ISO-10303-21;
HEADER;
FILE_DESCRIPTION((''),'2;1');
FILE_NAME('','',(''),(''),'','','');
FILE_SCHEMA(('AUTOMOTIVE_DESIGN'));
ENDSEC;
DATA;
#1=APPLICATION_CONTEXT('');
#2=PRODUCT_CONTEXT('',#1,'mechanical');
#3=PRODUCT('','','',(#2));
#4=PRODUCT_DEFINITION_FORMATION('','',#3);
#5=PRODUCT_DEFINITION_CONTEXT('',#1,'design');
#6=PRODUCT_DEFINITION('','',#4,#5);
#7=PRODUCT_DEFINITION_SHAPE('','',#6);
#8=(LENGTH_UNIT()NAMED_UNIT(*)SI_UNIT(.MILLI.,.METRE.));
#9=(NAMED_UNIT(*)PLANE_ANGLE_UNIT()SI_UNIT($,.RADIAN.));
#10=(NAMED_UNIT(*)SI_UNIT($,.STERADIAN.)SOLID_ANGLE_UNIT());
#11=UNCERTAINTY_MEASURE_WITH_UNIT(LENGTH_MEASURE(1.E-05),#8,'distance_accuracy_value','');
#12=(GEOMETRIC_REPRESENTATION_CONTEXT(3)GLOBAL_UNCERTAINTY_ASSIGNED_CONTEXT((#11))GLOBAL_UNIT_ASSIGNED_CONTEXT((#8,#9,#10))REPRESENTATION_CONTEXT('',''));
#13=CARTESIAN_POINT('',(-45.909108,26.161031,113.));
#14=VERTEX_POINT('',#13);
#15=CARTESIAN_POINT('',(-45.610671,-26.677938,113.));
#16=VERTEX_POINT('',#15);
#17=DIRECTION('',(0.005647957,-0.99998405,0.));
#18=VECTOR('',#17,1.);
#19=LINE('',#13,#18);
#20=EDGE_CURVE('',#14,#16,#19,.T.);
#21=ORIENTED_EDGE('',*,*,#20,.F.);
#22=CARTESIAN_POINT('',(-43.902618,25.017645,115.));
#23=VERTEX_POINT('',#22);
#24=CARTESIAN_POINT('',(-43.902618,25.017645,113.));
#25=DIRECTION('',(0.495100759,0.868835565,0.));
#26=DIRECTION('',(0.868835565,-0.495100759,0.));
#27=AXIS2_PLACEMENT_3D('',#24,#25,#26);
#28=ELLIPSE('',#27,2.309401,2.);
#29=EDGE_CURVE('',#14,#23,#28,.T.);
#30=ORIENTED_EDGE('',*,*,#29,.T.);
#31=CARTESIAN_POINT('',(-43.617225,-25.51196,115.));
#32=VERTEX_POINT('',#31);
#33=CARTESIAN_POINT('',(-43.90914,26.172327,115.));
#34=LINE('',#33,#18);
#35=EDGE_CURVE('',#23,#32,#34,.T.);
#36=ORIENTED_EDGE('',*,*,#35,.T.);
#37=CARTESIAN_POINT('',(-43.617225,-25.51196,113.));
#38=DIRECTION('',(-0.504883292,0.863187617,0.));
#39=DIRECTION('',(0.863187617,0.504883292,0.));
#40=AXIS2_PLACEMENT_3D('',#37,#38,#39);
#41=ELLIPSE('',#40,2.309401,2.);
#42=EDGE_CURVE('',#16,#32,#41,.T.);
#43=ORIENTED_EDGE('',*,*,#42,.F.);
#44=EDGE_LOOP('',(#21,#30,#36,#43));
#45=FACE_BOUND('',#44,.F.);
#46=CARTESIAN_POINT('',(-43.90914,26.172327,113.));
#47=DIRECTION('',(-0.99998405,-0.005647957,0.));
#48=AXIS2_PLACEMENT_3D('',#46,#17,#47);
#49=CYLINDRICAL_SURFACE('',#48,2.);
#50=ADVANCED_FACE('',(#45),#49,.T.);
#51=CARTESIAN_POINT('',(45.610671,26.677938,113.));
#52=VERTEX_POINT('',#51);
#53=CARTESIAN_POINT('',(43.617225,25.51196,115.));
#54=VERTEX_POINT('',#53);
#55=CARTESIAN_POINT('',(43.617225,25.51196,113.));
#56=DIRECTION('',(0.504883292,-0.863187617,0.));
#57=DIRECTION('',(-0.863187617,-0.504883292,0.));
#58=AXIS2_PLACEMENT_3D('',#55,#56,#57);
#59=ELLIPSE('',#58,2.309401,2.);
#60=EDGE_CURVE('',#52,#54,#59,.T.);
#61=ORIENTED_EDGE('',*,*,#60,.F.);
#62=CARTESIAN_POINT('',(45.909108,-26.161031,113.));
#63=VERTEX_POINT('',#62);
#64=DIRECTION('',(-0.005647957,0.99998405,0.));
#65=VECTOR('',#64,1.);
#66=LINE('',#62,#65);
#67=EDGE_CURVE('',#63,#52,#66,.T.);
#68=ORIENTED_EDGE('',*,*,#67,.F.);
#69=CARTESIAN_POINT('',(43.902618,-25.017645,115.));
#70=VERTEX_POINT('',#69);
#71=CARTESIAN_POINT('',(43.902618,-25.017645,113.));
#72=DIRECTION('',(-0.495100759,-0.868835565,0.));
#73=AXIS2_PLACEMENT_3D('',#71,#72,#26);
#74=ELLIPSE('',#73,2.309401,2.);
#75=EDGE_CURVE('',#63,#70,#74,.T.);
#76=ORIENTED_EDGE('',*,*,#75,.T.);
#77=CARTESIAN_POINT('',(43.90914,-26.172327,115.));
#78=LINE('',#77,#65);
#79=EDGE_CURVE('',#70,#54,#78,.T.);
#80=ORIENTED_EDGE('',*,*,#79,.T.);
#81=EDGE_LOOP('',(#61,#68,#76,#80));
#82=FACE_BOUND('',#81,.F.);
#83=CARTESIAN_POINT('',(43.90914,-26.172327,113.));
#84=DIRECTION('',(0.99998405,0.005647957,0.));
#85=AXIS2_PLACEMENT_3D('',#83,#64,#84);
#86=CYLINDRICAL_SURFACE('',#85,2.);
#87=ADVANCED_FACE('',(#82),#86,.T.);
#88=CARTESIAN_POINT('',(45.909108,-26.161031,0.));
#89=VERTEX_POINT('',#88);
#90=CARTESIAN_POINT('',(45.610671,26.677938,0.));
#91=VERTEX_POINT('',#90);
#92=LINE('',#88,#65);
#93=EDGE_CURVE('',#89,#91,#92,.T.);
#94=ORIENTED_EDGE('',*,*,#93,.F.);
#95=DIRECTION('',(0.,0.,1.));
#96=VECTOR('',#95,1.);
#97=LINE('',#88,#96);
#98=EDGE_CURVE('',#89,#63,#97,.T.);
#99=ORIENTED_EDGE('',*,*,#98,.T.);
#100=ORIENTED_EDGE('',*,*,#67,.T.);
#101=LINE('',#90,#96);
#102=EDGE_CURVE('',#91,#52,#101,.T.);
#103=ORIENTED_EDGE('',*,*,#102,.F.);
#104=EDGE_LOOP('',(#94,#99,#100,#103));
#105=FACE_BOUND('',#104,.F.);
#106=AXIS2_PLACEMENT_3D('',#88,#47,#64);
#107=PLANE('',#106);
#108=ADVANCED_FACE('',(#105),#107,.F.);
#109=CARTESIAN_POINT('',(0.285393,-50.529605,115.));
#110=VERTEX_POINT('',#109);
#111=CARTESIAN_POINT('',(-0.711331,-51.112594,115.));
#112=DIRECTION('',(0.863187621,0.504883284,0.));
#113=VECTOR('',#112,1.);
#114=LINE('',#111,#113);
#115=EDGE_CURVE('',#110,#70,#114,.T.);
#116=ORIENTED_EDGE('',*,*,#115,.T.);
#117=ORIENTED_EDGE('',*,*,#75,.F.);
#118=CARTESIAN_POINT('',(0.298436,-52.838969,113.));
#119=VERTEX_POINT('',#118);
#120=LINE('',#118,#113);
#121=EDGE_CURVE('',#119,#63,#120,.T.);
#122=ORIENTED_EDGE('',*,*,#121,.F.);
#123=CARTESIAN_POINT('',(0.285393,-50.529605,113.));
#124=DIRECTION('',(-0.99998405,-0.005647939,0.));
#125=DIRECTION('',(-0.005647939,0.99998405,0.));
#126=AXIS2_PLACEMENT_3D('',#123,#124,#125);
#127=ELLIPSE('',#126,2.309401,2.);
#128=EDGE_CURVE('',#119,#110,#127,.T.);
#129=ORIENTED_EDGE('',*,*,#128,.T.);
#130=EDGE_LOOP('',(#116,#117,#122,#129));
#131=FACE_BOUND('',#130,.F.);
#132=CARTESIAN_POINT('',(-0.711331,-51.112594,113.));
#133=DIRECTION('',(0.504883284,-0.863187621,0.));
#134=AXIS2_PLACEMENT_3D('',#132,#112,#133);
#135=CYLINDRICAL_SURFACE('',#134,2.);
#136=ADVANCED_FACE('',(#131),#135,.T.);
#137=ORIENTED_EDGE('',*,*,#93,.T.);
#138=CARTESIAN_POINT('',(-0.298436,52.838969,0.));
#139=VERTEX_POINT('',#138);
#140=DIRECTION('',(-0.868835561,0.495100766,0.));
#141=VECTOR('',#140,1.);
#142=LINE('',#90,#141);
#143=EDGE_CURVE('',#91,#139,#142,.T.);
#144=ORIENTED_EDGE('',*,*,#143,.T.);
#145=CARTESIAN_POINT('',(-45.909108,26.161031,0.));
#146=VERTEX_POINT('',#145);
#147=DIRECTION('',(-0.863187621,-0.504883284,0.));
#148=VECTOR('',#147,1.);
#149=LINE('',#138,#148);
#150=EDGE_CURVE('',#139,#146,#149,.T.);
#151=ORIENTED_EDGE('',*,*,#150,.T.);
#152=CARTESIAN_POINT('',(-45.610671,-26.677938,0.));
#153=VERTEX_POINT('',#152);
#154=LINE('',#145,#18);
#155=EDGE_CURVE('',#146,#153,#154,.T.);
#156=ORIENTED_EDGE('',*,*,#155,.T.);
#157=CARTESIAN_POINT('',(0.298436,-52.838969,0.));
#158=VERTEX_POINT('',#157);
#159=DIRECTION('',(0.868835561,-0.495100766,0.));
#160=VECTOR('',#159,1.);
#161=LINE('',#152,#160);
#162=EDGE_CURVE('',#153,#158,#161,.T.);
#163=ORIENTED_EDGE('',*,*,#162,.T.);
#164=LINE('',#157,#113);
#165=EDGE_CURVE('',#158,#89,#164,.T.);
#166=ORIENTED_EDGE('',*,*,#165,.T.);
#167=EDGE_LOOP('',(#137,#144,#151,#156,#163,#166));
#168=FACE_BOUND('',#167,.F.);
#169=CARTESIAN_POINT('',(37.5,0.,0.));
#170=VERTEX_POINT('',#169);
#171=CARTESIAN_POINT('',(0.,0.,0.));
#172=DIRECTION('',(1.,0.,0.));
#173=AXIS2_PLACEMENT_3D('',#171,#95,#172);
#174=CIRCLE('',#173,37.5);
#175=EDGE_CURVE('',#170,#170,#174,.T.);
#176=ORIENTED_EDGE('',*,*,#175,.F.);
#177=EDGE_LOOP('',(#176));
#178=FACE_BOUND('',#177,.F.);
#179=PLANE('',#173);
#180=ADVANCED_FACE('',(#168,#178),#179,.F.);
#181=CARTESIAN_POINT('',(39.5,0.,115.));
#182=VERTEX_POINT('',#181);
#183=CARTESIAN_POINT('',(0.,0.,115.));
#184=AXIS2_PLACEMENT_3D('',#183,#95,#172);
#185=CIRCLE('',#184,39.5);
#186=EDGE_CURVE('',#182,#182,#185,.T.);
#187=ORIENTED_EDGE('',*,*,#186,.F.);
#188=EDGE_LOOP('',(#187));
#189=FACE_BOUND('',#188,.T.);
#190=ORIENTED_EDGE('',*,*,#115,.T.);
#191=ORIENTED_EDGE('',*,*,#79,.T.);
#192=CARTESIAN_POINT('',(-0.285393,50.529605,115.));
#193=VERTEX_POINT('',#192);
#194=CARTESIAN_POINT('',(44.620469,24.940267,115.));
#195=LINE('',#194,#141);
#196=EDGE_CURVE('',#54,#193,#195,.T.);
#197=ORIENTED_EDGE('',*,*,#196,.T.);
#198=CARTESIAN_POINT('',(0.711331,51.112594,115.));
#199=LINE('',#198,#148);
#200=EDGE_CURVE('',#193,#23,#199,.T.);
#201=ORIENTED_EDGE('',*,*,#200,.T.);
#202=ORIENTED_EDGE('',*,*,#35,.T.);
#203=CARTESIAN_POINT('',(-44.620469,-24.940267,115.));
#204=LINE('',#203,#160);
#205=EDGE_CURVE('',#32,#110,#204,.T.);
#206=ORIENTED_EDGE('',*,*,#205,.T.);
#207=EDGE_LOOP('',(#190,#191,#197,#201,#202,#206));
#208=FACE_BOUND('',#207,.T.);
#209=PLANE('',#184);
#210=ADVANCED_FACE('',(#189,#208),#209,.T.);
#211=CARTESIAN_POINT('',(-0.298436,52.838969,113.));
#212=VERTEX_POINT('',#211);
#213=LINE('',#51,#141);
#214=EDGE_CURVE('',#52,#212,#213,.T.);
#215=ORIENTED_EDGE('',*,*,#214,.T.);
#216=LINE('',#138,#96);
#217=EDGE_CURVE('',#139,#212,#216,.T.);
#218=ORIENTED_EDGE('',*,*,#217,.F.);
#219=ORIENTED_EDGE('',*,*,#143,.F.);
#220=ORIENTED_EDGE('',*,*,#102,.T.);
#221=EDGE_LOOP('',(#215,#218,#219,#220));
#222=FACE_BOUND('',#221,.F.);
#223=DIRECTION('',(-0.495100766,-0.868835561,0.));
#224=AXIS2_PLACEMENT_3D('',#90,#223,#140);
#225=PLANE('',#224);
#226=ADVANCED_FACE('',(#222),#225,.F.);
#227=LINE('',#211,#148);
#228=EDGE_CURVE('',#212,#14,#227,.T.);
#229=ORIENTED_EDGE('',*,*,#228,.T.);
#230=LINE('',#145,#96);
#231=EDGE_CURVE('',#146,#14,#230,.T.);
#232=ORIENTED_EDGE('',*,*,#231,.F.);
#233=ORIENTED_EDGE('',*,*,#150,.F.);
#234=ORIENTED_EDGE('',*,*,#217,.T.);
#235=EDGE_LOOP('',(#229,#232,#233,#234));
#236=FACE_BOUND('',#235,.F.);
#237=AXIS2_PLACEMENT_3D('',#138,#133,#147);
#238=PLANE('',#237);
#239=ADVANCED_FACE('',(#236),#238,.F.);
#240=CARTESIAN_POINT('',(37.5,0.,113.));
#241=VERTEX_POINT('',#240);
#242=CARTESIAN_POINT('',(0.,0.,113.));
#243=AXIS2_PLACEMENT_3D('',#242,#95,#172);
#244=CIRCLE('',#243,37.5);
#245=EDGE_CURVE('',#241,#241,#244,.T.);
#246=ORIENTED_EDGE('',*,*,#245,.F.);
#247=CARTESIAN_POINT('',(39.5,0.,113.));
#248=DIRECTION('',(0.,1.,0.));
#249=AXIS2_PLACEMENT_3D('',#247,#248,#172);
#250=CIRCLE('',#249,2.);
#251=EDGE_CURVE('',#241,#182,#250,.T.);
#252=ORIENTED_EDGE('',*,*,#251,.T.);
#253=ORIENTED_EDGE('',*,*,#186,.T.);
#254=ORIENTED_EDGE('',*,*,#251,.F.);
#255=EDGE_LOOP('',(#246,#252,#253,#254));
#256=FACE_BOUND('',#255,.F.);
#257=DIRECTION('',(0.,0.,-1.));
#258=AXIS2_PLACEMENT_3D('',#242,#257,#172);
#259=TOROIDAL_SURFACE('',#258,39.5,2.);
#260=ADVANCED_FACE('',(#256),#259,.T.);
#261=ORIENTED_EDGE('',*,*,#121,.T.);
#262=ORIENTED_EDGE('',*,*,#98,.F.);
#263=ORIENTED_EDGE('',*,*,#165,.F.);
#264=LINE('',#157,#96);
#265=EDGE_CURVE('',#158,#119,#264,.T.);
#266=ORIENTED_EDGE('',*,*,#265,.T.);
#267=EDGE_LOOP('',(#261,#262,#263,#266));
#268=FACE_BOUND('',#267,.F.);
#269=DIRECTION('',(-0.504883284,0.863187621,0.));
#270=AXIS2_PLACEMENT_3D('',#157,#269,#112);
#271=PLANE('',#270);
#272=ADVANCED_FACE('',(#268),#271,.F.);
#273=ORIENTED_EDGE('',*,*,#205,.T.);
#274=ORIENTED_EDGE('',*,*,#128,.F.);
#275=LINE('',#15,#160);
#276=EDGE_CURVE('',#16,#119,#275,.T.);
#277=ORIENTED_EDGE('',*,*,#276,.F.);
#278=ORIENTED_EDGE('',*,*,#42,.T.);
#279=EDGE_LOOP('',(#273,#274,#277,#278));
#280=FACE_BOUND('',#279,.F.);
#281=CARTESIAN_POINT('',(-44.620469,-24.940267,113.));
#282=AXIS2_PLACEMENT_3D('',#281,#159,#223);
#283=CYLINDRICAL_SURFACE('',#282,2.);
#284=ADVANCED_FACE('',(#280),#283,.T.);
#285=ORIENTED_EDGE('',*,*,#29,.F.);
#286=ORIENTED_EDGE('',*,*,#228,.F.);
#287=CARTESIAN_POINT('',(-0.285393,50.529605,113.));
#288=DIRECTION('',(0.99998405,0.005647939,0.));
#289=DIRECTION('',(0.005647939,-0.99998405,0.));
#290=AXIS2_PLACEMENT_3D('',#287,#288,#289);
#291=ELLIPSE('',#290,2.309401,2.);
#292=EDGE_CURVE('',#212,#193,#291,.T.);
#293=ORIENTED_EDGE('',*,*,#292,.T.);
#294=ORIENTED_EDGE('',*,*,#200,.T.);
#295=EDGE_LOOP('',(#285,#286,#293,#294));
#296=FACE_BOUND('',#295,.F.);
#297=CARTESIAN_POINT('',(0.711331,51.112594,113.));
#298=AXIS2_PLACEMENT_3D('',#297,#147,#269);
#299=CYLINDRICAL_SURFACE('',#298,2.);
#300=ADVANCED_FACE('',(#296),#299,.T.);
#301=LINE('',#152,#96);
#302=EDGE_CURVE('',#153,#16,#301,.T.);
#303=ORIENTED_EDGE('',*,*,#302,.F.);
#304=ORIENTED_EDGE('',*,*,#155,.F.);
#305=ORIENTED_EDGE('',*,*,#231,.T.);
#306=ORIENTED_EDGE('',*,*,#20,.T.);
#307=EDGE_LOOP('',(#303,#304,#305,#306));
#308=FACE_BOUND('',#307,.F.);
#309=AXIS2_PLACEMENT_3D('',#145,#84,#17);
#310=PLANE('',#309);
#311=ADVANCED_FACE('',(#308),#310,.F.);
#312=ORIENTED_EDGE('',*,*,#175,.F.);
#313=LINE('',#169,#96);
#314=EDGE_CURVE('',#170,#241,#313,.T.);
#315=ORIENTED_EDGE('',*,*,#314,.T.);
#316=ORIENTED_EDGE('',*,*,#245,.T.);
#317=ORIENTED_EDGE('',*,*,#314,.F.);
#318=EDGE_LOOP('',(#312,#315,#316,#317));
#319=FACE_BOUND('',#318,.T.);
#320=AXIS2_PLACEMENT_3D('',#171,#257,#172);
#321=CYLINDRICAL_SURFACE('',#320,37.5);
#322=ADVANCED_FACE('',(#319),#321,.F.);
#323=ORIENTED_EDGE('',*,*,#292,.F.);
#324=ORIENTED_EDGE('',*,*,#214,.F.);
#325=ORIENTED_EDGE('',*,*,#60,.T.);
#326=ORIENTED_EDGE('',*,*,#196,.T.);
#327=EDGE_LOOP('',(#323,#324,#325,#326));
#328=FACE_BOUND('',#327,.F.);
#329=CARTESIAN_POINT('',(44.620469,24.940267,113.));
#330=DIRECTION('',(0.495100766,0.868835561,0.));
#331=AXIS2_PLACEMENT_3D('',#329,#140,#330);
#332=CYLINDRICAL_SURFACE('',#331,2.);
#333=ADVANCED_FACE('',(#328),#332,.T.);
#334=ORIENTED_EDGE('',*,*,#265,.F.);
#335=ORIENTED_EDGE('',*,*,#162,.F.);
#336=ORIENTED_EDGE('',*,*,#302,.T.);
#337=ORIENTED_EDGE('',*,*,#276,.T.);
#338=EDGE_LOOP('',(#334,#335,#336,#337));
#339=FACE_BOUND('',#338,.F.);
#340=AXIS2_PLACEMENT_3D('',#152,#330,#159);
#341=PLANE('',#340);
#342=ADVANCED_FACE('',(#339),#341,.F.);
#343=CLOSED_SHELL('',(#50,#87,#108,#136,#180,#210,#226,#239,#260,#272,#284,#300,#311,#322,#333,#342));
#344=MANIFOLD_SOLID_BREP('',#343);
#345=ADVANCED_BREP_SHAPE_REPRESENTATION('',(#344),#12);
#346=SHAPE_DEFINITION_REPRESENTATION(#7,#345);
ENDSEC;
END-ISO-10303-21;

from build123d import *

# Parameters (mm, degrees)
F0_R     = 37.5
F1_DEPTH = 115
F2_R     = 2


with BuildPart() as f1:
    # F0 (on Top) → F1 (new body)
    with BuildSketch(Plane.XY):
        Polygon((45.909108, -26.161031), (45.610671, 26.677938), (-0.298436, 52.838969), (-45.909108, 26.161031), (-45.610671, -26.677938), (0.298436, -52.838969), align=None)
        Circle(F0_R, mode=Mode.SUBTRACT)
    extrude(amount=F1_DEPTH)

    # F2
    f2_edges = [f1.edges().sort_by_distance(p)[0] for p in [
        (23.103772, -39.5, 115),
        (-22.656117, -39.758453, 115),
        (-45.759889, -0.258453, 115),
        (-23.103772, 39.5, 115),
        (22.656117, 39.758453, 115),
        (45.759889, 0.258453, 115),
        (-37.5, 0, 115),
    ]]
    fillet(f2_edges, radius=F2_R)


solid = f1.part
